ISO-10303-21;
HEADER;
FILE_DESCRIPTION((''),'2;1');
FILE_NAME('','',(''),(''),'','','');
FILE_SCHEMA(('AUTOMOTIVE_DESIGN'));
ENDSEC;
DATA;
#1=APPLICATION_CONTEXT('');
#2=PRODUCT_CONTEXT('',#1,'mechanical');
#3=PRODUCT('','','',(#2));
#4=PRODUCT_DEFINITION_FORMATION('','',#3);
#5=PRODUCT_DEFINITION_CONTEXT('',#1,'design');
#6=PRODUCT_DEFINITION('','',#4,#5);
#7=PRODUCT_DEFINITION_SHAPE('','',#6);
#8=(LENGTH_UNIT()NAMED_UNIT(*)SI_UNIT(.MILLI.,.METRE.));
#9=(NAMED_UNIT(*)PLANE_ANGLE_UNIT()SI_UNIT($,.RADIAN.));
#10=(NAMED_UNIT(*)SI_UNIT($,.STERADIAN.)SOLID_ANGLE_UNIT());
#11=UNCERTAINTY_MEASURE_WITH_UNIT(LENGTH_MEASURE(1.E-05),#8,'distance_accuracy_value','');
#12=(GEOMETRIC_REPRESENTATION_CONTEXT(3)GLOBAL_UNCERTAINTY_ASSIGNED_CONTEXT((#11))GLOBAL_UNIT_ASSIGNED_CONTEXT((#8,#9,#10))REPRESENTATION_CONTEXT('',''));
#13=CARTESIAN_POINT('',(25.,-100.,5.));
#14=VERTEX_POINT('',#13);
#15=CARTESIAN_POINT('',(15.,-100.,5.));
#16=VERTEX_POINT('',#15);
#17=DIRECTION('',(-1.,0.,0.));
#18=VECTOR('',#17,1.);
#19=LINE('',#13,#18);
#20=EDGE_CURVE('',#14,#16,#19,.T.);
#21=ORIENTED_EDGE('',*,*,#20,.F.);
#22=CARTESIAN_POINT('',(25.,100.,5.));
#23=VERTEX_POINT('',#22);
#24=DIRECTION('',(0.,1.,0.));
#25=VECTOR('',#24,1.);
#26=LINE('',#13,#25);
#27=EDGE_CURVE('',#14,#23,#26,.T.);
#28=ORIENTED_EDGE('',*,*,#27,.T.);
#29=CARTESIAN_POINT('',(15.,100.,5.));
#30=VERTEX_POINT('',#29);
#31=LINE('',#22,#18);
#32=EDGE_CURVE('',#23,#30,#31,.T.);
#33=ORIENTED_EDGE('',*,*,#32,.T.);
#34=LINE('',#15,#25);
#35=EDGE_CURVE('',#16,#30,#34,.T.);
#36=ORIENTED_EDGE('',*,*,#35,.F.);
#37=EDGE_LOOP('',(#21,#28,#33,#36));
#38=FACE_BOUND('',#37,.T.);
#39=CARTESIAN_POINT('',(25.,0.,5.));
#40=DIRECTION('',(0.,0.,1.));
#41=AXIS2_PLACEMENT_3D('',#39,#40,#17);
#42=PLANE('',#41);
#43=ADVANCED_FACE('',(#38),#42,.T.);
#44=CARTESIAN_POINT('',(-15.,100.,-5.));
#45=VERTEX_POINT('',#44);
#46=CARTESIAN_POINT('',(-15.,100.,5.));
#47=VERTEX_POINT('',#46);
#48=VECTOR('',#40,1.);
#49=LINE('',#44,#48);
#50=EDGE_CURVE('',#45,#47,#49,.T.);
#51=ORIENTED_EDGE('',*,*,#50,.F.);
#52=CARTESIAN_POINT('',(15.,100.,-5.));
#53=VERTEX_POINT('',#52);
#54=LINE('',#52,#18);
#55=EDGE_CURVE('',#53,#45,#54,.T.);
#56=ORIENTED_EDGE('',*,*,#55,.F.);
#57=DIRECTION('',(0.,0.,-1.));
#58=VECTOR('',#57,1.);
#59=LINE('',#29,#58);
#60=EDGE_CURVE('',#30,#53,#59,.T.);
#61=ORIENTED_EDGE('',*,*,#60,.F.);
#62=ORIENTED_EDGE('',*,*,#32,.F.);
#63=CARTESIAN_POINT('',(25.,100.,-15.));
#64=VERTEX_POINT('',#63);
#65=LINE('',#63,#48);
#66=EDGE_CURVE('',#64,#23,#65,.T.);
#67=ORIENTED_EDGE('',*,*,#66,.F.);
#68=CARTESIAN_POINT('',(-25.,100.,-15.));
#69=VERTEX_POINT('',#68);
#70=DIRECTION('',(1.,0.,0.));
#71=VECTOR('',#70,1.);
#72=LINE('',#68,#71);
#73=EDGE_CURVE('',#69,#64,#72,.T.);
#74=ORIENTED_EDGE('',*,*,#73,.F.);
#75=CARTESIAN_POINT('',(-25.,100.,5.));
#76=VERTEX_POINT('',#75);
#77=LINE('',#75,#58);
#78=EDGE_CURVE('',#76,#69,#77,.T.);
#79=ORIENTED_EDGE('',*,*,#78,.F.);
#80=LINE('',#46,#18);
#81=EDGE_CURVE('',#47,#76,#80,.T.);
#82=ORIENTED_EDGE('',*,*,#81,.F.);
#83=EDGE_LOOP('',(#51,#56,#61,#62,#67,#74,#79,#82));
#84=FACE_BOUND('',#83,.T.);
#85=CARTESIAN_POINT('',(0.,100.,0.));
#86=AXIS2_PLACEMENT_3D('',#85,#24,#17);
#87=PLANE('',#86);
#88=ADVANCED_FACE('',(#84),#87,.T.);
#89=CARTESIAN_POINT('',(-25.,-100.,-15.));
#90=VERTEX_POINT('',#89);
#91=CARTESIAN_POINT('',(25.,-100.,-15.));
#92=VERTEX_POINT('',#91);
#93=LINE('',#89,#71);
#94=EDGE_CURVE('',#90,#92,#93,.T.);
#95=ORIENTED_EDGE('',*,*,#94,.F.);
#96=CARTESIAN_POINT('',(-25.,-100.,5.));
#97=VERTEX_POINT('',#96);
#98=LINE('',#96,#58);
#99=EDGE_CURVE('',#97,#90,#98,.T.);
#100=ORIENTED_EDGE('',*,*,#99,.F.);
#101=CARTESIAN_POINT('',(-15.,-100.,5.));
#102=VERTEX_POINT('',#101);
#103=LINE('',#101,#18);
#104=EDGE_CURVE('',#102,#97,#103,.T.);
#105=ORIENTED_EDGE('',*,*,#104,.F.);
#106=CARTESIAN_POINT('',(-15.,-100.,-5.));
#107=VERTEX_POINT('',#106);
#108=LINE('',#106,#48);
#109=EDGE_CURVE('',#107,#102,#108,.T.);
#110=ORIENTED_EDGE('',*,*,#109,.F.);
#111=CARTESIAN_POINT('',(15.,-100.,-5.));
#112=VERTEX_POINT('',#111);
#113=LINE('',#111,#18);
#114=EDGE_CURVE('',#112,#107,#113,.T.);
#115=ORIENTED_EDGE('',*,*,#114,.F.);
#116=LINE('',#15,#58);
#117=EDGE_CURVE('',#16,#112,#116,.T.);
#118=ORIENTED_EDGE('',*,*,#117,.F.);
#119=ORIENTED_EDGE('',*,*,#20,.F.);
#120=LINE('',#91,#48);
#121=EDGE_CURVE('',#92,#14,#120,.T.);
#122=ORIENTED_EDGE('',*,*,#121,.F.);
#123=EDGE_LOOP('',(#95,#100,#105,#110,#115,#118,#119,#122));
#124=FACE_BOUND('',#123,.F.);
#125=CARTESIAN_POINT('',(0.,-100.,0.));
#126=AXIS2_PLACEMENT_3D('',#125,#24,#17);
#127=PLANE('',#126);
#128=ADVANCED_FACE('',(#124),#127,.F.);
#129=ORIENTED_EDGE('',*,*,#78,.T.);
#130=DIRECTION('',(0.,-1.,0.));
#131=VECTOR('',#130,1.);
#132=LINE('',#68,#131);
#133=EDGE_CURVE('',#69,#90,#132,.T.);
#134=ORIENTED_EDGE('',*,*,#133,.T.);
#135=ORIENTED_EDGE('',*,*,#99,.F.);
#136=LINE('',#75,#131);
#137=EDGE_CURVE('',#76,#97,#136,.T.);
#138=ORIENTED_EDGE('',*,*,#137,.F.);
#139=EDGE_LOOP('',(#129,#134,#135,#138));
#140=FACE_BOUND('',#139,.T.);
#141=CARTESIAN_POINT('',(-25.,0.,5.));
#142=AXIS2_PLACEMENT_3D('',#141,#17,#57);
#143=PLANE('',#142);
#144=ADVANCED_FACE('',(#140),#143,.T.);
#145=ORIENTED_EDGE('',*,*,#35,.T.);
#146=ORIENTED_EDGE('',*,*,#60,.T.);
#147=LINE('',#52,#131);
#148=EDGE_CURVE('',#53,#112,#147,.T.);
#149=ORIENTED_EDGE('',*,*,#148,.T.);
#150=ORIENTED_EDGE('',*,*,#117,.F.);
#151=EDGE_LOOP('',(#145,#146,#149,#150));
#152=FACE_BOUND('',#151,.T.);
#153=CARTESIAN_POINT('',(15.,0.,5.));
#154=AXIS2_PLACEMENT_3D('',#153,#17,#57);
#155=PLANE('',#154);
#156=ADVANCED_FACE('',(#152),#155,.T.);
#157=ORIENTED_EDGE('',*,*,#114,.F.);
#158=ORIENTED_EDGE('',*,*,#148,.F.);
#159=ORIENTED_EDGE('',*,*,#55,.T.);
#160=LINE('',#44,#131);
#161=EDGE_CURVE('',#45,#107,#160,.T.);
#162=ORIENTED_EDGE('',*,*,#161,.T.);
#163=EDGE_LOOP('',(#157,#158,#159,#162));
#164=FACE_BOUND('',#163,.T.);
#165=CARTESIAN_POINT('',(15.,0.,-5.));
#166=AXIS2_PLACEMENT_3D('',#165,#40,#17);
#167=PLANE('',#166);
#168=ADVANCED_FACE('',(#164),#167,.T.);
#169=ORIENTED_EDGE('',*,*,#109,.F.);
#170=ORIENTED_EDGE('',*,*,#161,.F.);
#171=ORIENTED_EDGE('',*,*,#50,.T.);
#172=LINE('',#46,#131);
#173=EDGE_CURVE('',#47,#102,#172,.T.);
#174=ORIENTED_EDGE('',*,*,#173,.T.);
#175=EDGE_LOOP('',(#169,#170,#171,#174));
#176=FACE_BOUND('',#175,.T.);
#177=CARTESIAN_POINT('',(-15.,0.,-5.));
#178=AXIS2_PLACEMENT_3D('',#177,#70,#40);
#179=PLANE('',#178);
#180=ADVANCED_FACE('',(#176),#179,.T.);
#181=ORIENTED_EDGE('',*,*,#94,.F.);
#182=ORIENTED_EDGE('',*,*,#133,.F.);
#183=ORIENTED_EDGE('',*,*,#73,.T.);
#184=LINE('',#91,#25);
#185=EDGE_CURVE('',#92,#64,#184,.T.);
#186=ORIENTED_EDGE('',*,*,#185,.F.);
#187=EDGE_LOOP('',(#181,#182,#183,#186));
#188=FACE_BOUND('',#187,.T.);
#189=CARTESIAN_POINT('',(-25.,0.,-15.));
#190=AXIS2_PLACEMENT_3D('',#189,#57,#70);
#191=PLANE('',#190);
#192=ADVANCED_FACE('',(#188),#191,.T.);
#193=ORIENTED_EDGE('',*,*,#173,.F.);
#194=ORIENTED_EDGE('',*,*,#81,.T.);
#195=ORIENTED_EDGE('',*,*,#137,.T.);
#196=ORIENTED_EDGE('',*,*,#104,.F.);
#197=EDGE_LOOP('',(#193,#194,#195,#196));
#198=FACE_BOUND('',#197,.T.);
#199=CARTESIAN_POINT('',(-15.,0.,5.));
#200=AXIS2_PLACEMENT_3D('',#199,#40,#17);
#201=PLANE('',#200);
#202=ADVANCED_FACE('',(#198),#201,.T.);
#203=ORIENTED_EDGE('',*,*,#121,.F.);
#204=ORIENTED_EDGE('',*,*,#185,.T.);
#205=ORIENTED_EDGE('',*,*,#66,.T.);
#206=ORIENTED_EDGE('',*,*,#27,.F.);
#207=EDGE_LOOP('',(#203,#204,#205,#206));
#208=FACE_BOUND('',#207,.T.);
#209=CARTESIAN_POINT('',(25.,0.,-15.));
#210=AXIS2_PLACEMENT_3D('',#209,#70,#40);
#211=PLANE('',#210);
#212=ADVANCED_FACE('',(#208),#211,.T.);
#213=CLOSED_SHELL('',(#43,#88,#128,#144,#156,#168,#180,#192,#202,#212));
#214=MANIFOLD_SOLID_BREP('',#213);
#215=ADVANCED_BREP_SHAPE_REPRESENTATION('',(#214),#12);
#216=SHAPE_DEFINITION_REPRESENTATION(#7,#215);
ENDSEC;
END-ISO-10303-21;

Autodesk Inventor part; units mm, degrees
ref_plane "YZ Plane" through (0, 0, 0) normal (1, 0, 0) x (0, 1, 0)
ref_plane "XZ Plane" through (0, 0, 0) normal (0, 1, 0) x (-1, 0, 0)
ref_plane "XY Plane" through (0, 0, 0) normal (0, 0, 1) x (1, 0, 0)
sketch "Sketch1" plane through (0, 0, 0) normal (0, 1, 0) x (-1, 0, 0)
  line L0 (15, 5) -> (-15, 5) construction
  line L1 (-15, 5) -> (-15, -5)
  line L2 (-15, -5) -> (15, -5)
  line L3 (15, -5) -> (15, 5)
  line L4 (15, 5) -> (-15, -5) construction
  line L5 (-15, 5) -> (15, -5) construction
  line L6 (15, 5) -> (25, 5)
  line L7 (25, 5) -> (25, -15)
  line L8 (25, -15) -> (-25, -15)
  line L9 (-25, -15) -> (-25, 5)
  line L10 (-25, 5) -> (-15, 5)
  point P0 (0, 0)
  dimension "d0" = 30
  dimension "d1" = 10
  dimension "d2" = 10
  dimension "d3" = 10
  dimension "d4" = 10
extrude "Extrusion1" add sketch "Sketch1" along normal mid plane 200
properties part number "Bancada" material "Steel"
